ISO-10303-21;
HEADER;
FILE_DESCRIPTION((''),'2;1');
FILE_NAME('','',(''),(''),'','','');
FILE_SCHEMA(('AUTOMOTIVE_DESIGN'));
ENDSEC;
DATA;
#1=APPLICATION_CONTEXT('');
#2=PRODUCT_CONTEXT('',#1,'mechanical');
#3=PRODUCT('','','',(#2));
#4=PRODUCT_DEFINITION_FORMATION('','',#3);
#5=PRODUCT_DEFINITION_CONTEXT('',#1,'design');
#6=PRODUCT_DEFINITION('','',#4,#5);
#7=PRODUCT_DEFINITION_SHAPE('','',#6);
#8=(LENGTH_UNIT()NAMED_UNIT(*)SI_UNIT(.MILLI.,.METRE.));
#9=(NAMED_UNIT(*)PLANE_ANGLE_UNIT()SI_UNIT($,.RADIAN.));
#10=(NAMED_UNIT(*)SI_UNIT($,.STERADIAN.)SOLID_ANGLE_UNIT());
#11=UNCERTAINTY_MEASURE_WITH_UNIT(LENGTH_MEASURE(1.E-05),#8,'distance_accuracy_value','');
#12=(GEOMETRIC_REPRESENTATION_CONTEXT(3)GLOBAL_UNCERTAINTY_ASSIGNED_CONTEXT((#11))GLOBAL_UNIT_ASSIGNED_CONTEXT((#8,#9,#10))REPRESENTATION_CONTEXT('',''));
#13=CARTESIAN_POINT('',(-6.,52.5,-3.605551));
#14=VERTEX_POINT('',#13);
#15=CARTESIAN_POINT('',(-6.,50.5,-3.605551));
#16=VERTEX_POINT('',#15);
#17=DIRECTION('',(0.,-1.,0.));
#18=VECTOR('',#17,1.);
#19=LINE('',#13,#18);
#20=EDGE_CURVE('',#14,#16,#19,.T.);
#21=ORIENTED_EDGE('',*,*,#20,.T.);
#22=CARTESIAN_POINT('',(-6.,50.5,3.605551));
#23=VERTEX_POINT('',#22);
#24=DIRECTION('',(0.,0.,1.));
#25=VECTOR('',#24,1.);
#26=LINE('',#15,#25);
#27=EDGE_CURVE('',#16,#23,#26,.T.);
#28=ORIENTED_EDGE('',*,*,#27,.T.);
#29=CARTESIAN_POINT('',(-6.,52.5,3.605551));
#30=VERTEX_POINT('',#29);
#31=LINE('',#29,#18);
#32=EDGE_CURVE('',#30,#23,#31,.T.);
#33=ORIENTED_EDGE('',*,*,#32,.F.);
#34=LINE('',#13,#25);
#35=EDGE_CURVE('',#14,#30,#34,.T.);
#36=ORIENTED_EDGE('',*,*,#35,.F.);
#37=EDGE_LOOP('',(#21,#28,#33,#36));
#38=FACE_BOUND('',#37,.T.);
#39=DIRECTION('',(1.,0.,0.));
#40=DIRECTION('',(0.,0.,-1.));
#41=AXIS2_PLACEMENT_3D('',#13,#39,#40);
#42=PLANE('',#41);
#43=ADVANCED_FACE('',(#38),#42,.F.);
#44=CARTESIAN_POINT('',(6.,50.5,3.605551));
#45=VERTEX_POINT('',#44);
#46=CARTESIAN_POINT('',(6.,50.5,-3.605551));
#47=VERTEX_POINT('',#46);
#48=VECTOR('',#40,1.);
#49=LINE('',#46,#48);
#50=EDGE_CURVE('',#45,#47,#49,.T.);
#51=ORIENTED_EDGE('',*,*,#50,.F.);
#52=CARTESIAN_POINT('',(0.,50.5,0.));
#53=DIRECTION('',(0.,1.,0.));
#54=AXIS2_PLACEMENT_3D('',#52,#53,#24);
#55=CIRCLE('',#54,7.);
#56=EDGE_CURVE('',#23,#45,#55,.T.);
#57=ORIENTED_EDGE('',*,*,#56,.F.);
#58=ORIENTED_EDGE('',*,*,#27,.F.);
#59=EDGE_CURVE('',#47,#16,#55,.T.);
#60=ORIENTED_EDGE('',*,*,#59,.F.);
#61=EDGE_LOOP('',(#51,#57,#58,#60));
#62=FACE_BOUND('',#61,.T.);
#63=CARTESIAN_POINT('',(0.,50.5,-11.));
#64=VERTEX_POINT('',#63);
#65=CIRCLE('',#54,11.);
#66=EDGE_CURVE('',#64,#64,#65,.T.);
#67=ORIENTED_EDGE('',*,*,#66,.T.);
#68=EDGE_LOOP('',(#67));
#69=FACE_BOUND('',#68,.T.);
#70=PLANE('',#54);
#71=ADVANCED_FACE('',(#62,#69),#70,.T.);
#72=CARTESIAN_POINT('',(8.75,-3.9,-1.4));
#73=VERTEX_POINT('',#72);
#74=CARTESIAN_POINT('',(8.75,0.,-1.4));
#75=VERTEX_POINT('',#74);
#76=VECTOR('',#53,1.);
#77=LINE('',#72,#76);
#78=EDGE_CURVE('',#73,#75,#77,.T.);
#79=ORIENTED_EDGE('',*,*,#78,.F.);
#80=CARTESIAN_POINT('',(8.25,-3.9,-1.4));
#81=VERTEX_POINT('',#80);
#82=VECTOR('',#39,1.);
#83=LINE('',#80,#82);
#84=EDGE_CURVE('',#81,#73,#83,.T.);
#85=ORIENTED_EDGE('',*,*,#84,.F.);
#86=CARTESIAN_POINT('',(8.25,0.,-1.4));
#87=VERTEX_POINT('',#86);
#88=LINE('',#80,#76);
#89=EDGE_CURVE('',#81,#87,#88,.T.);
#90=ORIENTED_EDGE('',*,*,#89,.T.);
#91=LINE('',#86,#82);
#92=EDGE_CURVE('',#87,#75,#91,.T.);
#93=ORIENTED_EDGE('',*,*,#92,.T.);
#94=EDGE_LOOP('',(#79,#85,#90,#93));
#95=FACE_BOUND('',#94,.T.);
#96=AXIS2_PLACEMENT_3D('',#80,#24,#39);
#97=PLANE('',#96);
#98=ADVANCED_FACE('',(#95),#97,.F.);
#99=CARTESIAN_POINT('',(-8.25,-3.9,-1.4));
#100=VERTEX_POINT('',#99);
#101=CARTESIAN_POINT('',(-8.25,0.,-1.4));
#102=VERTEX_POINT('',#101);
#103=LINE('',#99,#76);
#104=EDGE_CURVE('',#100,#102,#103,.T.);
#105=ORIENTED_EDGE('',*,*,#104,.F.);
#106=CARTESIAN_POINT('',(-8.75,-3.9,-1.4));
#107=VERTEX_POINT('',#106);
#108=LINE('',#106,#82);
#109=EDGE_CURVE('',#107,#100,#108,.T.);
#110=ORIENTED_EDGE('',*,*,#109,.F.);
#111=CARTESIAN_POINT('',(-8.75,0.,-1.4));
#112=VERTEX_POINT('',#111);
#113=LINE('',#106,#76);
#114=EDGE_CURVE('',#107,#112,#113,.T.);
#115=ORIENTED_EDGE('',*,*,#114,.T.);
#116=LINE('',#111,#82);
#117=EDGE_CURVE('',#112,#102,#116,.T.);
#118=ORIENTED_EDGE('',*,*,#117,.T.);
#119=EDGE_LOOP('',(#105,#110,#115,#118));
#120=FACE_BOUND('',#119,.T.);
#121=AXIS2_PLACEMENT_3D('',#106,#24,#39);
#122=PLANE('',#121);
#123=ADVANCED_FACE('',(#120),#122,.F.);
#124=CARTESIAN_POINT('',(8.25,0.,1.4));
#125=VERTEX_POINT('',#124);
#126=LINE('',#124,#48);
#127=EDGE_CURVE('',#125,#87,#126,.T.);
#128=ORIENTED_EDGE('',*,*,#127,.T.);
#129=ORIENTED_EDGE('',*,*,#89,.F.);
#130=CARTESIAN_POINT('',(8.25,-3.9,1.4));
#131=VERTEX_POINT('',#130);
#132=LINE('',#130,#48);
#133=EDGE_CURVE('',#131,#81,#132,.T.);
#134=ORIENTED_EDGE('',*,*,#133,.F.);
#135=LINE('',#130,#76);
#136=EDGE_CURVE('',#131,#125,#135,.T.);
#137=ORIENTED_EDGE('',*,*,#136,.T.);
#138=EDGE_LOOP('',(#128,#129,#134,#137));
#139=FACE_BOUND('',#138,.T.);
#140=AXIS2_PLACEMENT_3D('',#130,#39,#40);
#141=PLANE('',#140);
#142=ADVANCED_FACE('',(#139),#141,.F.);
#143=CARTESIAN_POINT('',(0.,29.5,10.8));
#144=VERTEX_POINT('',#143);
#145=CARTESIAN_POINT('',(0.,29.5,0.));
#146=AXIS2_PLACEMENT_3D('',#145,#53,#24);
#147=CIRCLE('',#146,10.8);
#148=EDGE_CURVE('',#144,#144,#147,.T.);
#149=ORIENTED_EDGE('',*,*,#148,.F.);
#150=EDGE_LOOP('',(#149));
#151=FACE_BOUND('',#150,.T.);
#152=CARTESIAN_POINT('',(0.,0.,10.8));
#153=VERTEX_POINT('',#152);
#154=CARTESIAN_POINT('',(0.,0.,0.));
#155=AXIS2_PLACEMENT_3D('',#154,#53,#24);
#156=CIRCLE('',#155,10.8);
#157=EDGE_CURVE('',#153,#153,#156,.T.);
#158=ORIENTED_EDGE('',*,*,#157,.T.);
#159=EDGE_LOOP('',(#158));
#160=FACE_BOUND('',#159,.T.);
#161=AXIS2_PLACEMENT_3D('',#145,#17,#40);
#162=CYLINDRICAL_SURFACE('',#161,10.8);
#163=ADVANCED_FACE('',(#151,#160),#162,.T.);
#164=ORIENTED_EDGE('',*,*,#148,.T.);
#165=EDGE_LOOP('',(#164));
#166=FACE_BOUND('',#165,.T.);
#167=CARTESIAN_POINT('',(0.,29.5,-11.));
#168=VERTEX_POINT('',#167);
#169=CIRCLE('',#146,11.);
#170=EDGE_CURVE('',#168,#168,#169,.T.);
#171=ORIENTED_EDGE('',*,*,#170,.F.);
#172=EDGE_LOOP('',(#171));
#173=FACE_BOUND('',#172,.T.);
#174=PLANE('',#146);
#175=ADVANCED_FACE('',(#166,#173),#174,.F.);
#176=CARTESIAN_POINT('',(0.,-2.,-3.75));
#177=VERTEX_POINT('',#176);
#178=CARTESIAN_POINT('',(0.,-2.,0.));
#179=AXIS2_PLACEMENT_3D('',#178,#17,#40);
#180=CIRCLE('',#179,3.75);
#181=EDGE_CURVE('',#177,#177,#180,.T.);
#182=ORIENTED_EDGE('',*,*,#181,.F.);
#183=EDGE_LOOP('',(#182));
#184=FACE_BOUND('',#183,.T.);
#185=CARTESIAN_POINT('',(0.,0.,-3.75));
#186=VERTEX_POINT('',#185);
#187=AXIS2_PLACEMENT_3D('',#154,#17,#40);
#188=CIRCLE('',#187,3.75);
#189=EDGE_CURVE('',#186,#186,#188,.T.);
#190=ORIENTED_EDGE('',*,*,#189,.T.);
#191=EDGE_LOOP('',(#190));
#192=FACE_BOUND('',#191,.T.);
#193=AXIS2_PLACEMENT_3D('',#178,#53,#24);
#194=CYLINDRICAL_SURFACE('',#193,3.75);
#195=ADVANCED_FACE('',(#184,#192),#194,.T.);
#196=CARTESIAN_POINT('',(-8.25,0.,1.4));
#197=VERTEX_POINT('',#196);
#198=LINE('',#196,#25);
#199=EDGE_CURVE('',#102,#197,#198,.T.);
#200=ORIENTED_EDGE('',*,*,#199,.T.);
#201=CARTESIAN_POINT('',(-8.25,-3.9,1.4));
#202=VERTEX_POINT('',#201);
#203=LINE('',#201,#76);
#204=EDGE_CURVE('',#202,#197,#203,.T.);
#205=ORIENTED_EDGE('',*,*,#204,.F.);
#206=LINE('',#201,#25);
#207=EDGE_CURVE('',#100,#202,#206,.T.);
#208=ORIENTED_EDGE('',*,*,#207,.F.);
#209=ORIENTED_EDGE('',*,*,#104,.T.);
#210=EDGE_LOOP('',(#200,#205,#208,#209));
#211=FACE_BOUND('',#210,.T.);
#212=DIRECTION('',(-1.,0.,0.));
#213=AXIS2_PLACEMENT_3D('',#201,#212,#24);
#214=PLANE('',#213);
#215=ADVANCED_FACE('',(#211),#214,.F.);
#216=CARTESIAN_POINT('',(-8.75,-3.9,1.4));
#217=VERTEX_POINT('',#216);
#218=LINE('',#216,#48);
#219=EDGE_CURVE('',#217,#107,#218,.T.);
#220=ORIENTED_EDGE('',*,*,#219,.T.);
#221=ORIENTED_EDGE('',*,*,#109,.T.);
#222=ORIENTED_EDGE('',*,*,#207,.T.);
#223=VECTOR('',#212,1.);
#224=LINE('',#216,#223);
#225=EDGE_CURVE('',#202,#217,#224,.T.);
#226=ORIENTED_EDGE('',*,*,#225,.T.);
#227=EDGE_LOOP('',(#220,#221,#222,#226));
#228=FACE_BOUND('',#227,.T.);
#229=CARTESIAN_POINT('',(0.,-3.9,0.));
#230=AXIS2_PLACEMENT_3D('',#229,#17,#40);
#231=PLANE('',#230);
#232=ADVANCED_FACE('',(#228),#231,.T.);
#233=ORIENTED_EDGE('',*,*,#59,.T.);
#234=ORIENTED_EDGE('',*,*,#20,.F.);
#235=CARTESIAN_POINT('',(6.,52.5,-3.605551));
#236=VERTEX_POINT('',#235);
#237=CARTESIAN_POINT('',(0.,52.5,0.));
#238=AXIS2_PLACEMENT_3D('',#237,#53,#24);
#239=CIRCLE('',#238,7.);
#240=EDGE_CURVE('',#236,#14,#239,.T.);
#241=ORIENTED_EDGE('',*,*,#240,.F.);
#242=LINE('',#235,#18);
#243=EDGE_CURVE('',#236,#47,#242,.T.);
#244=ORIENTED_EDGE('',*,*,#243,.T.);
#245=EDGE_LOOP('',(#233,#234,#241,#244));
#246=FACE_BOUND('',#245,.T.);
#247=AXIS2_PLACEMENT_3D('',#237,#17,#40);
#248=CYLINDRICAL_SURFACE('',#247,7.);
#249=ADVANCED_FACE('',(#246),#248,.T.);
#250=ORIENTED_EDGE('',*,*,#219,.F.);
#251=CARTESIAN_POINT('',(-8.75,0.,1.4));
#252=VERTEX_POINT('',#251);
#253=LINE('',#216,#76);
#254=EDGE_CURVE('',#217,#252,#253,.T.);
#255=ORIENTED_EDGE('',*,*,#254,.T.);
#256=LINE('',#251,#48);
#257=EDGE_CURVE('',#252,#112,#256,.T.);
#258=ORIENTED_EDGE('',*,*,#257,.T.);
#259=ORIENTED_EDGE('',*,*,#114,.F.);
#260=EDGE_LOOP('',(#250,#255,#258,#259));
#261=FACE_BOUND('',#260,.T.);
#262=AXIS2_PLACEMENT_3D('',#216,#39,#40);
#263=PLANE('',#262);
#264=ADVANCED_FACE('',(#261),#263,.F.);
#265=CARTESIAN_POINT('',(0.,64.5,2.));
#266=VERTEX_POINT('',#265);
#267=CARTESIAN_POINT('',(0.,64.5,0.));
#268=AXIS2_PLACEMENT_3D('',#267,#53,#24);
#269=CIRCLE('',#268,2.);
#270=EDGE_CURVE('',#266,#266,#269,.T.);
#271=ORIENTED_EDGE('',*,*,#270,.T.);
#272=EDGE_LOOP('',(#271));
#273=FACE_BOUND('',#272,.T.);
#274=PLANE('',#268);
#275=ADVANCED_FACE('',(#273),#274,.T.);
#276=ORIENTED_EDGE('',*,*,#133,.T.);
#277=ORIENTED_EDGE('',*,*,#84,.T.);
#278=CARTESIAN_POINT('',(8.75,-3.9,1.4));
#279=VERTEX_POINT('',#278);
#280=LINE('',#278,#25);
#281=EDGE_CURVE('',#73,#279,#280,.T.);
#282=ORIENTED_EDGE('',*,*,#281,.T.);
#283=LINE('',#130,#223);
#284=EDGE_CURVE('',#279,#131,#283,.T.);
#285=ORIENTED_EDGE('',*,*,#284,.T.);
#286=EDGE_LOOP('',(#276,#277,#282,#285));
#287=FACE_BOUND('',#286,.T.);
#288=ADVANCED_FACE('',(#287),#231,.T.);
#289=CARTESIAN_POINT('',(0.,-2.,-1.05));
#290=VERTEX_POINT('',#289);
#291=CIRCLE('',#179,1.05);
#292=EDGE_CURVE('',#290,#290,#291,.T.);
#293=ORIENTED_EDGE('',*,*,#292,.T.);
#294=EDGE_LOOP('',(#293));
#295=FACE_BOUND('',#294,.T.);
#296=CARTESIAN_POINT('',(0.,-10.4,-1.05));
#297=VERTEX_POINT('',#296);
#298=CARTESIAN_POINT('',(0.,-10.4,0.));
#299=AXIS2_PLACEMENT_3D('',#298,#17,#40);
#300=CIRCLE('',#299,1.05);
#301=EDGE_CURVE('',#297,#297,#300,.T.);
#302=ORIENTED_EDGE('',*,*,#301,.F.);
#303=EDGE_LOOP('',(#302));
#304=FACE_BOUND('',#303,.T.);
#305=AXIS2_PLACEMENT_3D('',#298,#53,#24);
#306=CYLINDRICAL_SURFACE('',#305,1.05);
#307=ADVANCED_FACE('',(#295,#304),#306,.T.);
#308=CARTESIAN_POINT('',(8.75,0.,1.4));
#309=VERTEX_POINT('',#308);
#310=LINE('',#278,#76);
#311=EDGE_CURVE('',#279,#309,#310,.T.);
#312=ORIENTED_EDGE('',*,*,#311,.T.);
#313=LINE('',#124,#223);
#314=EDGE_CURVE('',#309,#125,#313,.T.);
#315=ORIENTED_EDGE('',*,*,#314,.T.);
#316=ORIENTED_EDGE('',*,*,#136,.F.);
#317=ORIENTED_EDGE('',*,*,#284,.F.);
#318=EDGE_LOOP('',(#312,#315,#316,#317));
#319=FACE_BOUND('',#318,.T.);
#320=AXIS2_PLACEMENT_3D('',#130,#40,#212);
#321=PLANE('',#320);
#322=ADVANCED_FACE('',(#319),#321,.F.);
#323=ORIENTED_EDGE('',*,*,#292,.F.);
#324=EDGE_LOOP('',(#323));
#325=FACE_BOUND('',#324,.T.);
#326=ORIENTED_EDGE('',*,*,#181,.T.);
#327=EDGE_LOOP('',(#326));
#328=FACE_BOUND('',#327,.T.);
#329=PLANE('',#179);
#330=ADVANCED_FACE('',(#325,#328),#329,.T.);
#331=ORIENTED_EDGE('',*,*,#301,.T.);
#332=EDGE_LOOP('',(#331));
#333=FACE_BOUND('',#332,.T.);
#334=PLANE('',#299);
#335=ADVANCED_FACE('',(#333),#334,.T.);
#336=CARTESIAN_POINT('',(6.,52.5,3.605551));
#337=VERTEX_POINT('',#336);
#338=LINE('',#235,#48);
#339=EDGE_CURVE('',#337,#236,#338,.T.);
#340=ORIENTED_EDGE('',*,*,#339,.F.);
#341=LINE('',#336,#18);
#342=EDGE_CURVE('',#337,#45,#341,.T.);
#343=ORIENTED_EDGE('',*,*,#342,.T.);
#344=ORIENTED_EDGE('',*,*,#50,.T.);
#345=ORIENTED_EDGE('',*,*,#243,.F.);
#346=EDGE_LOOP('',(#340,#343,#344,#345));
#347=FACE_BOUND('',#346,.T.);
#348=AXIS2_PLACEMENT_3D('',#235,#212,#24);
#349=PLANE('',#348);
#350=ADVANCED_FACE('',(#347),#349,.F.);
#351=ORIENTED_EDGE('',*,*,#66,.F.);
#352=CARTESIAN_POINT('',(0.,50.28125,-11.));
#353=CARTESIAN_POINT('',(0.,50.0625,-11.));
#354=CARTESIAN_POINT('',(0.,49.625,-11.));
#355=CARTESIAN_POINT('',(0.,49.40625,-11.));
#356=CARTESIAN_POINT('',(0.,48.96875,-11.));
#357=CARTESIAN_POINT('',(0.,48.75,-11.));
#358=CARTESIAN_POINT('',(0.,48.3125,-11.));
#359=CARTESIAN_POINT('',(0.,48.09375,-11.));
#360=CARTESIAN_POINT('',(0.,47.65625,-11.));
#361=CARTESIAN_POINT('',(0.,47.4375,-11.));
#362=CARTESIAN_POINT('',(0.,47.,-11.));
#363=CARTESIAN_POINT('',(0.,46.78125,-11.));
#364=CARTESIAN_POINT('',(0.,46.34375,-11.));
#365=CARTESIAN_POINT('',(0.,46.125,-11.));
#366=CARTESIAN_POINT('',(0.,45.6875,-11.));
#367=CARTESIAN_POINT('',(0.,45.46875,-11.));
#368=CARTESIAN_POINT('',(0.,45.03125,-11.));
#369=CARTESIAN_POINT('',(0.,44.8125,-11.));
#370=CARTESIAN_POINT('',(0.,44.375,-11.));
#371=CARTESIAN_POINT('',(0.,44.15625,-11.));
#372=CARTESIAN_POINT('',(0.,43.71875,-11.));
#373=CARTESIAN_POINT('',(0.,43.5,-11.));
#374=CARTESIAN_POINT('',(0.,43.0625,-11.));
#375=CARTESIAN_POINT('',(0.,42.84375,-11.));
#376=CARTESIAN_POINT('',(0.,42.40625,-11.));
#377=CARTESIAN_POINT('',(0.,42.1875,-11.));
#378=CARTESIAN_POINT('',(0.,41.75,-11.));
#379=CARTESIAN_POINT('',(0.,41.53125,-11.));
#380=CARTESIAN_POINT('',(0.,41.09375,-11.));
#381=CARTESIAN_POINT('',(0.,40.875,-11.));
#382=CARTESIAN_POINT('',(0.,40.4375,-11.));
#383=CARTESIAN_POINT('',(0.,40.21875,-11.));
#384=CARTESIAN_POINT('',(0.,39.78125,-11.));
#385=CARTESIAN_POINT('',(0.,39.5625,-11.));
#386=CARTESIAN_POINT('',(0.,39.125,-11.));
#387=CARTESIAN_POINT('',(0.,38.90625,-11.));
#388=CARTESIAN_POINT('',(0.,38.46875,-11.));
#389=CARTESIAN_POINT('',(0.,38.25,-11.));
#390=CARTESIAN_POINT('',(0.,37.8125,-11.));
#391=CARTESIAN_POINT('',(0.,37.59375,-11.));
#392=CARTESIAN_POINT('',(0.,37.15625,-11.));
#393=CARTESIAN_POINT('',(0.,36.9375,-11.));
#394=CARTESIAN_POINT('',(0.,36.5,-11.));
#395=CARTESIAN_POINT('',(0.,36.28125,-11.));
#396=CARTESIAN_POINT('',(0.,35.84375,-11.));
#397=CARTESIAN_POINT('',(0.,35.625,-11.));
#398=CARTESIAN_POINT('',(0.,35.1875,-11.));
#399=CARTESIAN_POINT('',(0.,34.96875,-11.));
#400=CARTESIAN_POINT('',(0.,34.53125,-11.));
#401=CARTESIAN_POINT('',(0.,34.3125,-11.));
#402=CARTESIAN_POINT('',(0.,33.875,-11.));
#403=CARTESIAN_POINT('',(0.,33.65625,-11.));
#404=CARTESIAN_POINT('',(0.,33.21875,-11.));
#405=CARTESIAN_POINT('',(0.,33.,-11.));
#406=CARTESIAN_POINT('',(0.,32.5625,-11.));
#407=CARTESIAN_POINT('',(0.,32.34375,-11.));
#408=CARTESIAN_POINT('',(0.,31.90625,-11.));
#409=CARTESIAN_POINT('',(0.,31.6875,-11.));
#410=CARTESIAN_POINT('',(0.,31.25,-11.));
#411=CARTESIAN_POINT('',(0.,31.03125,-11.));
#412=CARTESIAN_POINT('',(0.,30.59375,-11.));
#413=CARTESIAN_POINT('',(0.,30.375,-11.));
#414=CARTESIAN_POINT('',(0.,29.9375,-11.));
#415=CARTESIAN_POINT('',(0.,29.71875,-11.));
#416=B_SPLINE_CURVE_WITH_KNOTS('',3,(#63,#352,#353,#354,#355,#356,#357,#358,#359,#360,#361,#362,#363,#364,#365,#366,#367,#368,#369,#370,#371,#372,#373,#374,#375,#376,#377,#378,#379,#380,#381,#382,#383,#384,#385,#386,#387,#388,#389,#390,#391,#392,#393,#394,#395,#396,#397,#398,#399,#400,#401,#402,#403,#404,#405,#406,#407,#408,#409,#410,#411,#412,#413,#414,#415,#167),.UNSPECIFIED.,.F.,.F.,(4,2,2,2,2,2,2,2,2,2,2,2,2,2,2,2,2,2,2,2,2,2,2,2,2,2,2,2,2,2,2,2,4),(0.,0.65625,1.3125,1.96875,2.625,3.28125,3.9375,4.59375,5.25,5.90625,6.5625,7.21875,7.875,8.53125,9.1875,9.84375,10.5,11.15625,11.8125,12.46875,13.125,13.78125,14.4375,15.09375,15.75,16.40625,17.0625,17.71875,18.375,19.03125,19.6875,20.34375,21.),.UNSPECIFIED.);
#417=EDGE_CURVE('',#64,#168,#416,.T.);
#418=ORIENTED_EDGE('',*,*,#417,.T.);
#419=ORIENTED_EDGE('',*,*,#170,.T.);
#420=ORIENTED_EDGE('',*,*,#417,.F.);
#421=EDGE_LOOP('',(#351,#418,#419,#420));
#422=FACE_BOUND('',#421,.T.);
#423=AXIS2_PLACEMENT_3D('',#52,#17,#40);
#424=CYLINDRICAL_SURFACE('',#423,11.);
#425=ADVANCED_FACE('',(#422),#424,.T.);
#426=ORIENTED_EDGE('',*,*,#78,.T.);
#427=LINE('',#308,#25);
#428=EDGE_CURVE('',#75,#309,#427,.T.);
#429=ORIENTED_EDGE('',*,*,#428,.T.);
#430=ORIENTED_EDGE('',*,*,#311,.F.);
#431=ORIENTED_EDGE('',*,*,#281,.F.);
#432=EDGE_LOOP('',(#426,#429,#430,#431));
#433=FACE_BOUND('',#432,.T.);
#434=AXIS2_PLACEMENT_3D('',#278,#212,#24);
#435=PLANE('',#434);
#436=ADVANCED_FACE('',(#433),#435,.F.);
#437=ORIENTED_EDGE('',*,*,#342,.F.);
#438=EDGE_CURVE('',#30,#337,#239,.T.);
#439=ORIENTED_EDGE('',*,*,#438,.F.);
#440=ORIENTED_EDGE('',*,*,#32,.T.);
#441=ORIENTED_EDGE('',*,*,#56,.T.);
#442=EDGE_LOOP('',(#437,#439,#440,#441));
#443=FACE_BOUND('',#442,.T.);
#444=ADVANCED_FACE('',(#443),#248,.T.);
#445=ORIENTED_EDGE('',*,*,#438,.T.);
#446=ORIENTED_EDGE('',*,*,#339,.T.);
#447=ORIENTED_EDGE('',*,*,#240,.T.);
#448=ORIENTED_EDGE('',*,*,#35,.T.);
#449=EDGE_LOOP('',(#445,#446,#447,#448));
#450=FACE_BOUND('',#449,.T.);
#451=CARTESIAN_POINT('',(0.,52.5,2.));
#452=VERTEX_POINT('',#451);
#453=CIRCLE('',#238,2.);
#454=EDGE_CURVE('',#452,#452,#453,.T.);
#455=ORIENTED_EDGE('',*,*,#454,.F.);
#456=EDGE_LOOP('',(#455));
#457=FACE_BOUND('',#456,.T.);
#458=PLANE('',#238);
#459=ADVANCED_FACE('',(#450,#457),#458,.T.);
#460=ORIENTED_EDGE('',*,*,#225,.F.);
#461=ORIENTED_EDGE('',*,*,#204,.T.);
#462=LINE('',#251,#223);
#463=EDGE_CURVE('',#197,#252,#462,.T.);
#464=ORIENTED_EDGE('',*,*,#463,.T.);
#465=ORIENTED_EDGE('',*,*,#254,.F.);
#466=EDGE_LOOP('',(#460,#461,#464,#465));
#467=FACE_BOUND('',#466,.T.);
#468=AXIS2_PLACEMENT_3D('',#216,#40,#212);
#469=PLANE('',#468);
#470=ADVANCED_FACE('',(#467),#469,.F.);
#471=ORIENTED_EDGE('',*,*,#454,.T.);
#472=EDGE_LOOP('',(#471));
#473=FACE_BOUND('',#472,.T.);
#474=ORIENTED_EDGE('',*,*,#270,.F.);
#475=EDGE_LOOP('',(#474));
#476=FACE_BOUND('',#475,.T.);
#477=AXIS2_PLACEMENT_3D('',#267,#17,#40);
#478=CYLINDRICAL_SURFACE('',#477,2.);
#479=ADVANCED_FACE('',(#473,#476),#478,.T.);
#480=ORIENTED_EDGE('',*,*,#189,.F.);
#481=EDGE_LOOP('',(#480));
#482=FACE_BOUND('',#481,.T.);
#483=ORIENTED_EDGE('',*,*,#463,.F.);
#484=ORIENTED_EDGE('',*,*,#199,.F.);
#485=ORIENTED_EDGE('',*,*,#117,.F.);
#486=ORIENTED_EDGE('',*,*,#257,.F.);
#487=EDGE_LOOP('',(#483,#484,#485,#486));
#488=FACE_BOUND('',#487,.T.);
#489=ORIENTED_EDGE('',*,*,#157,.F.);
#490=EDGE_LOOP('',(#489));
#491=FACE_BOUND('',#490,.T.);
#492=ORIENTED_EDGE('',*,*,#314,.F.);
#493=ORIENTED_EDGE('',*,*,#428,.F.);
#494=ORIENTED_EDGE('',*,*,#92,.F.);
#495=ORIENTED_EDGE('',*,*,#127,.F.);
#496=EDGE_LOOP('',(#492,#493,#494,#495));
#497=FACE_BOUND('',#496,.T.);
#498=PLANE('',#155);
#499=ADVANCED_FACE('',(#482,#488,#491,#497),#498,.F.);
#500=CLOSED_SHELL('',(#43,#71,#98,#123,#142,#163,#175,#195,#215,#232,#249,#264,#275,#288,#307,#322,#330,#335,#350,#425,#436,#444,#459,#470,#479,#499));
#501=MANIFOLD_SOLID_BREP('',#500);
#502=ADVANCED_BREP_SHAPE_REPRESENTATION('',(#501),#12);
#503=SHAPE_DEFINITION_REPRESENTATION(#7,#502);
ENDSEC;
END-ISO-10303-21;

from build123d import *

# Parameters (mm, degrees)
SKETCH2_R           = 10.8
BOSS_EXTRUDE1_DEPTH = 29.5
SKETCH3_R           = 11
BOSS_EXTRUDE2_DEPTH = 21
BOSS_EXTRUDE3_DEPTH = 2
SKETCH5_R           = 2
BOSS_EXTRUDE4_DEPTH = 12
SKETCH6_R           = 3.75
BOSS_EXTRUDE5_DEPTH = 2
SKETCH7_W           = 0.5
SKETCH7_H           = 2.8
BOSS_EXTRUDE6_DEPTH = 3.9
SKETCH8_R           = 1.05
BOSS_EXTRUDE7_DEPTH = 8.4


with BuildPart() as part:
    # Sketch2 → Boss-Extrude1 (new body)
    with BuildSketch(Plane(origin=(0, 0, 0), x_dir=(1, 0, 0), z_dir=(0, 1, 0))):
        with Locations(Location((0, 0, 0), (0, 0, 270))):
            Circle(SKETCH2_R)
    extrude(amount=BOSS_EXTRUDE1_DEPTH)

    # Sketch3 → Boss-Extrude2 (add)
    with BuildSketch(Plane(origin=(0, 29.5, 0), x_dir=(1, 0, 0), z_dir=(0, 1, 0))):
        with Locations(Location((0, 0, 0), (0, 0, 90))):
            Circle(SKETCH3_R)
    extrude(amount=BOSS_EXTRUDE2_DEPTH)

    # Sketch4 → Boss-Extrude3 (add)
    with BuildSketch(Plane(origin=(0, 50.5, 0), x_dir=(1, 0, 0), z_dir=(0, 1, 0))):
        with BuildLine():
            Line((6, 3.605551275), (6, -3.605551275))
            ThreePointArc((6, -3.605551275), (0, -7), (-6, -3.605551275))
            Line((-6, -3.605551275), (-6, 3.605551275))
            ThreePointArc((-6, 3.605551275), (0, 7), (6, 3.605551275))
        make_face()
    extrude(amount=BOSS_EXTRUDE3_DEPTH)

    # Sketch5 → Boss-Extrude4 (add)
    with BuildSketch(Plane(origin=(0, 52.5, 0), x_dir=(1, 0, 0), z_dir=(0, 1, 0))):
        with Locations(Location((0, 0, 0), (0, 0, 270))):
            Circle(SKETCH5_R)
    extrude(amount=BOSS_EXTRUDE4_DEPTH)

    # Sketch6 → Boss-Extrude5 (add)
    with BuildSketch(Plane.XZ):
        with Locations(Location((0, 0, 0), (0, 0, 270))):
            Circle(SKETCH6_R)
    extrude(amount=BOSS_EXTRUDE5_DEPTH)

    # Sketch7 → Boss-Extrude6 (add)
    with BuildSketch(Plane.XZ):
        with Locations((-8.5, 0)):
            Rectangle(SKETCH7_W, SKETCH7_H)
        with Locations((8.5, 0)):
            Rectangle(SKETCH7_W, SKETCH7_H)
    extrude(amount=BOSS_EXTRUDE6_DEPTH)

    # Sketch8 → Boss-Extrude7 (add)
    with BuildSketch(Plane.XZ.offset(2)):
        with Locations(Location((0, 0, 0), (0, 0, 270))):
            Circle(SKETCH8_R)
    extrude(amount=BOSS_EXTRUDE7_DEPTH)


solid = part.part
